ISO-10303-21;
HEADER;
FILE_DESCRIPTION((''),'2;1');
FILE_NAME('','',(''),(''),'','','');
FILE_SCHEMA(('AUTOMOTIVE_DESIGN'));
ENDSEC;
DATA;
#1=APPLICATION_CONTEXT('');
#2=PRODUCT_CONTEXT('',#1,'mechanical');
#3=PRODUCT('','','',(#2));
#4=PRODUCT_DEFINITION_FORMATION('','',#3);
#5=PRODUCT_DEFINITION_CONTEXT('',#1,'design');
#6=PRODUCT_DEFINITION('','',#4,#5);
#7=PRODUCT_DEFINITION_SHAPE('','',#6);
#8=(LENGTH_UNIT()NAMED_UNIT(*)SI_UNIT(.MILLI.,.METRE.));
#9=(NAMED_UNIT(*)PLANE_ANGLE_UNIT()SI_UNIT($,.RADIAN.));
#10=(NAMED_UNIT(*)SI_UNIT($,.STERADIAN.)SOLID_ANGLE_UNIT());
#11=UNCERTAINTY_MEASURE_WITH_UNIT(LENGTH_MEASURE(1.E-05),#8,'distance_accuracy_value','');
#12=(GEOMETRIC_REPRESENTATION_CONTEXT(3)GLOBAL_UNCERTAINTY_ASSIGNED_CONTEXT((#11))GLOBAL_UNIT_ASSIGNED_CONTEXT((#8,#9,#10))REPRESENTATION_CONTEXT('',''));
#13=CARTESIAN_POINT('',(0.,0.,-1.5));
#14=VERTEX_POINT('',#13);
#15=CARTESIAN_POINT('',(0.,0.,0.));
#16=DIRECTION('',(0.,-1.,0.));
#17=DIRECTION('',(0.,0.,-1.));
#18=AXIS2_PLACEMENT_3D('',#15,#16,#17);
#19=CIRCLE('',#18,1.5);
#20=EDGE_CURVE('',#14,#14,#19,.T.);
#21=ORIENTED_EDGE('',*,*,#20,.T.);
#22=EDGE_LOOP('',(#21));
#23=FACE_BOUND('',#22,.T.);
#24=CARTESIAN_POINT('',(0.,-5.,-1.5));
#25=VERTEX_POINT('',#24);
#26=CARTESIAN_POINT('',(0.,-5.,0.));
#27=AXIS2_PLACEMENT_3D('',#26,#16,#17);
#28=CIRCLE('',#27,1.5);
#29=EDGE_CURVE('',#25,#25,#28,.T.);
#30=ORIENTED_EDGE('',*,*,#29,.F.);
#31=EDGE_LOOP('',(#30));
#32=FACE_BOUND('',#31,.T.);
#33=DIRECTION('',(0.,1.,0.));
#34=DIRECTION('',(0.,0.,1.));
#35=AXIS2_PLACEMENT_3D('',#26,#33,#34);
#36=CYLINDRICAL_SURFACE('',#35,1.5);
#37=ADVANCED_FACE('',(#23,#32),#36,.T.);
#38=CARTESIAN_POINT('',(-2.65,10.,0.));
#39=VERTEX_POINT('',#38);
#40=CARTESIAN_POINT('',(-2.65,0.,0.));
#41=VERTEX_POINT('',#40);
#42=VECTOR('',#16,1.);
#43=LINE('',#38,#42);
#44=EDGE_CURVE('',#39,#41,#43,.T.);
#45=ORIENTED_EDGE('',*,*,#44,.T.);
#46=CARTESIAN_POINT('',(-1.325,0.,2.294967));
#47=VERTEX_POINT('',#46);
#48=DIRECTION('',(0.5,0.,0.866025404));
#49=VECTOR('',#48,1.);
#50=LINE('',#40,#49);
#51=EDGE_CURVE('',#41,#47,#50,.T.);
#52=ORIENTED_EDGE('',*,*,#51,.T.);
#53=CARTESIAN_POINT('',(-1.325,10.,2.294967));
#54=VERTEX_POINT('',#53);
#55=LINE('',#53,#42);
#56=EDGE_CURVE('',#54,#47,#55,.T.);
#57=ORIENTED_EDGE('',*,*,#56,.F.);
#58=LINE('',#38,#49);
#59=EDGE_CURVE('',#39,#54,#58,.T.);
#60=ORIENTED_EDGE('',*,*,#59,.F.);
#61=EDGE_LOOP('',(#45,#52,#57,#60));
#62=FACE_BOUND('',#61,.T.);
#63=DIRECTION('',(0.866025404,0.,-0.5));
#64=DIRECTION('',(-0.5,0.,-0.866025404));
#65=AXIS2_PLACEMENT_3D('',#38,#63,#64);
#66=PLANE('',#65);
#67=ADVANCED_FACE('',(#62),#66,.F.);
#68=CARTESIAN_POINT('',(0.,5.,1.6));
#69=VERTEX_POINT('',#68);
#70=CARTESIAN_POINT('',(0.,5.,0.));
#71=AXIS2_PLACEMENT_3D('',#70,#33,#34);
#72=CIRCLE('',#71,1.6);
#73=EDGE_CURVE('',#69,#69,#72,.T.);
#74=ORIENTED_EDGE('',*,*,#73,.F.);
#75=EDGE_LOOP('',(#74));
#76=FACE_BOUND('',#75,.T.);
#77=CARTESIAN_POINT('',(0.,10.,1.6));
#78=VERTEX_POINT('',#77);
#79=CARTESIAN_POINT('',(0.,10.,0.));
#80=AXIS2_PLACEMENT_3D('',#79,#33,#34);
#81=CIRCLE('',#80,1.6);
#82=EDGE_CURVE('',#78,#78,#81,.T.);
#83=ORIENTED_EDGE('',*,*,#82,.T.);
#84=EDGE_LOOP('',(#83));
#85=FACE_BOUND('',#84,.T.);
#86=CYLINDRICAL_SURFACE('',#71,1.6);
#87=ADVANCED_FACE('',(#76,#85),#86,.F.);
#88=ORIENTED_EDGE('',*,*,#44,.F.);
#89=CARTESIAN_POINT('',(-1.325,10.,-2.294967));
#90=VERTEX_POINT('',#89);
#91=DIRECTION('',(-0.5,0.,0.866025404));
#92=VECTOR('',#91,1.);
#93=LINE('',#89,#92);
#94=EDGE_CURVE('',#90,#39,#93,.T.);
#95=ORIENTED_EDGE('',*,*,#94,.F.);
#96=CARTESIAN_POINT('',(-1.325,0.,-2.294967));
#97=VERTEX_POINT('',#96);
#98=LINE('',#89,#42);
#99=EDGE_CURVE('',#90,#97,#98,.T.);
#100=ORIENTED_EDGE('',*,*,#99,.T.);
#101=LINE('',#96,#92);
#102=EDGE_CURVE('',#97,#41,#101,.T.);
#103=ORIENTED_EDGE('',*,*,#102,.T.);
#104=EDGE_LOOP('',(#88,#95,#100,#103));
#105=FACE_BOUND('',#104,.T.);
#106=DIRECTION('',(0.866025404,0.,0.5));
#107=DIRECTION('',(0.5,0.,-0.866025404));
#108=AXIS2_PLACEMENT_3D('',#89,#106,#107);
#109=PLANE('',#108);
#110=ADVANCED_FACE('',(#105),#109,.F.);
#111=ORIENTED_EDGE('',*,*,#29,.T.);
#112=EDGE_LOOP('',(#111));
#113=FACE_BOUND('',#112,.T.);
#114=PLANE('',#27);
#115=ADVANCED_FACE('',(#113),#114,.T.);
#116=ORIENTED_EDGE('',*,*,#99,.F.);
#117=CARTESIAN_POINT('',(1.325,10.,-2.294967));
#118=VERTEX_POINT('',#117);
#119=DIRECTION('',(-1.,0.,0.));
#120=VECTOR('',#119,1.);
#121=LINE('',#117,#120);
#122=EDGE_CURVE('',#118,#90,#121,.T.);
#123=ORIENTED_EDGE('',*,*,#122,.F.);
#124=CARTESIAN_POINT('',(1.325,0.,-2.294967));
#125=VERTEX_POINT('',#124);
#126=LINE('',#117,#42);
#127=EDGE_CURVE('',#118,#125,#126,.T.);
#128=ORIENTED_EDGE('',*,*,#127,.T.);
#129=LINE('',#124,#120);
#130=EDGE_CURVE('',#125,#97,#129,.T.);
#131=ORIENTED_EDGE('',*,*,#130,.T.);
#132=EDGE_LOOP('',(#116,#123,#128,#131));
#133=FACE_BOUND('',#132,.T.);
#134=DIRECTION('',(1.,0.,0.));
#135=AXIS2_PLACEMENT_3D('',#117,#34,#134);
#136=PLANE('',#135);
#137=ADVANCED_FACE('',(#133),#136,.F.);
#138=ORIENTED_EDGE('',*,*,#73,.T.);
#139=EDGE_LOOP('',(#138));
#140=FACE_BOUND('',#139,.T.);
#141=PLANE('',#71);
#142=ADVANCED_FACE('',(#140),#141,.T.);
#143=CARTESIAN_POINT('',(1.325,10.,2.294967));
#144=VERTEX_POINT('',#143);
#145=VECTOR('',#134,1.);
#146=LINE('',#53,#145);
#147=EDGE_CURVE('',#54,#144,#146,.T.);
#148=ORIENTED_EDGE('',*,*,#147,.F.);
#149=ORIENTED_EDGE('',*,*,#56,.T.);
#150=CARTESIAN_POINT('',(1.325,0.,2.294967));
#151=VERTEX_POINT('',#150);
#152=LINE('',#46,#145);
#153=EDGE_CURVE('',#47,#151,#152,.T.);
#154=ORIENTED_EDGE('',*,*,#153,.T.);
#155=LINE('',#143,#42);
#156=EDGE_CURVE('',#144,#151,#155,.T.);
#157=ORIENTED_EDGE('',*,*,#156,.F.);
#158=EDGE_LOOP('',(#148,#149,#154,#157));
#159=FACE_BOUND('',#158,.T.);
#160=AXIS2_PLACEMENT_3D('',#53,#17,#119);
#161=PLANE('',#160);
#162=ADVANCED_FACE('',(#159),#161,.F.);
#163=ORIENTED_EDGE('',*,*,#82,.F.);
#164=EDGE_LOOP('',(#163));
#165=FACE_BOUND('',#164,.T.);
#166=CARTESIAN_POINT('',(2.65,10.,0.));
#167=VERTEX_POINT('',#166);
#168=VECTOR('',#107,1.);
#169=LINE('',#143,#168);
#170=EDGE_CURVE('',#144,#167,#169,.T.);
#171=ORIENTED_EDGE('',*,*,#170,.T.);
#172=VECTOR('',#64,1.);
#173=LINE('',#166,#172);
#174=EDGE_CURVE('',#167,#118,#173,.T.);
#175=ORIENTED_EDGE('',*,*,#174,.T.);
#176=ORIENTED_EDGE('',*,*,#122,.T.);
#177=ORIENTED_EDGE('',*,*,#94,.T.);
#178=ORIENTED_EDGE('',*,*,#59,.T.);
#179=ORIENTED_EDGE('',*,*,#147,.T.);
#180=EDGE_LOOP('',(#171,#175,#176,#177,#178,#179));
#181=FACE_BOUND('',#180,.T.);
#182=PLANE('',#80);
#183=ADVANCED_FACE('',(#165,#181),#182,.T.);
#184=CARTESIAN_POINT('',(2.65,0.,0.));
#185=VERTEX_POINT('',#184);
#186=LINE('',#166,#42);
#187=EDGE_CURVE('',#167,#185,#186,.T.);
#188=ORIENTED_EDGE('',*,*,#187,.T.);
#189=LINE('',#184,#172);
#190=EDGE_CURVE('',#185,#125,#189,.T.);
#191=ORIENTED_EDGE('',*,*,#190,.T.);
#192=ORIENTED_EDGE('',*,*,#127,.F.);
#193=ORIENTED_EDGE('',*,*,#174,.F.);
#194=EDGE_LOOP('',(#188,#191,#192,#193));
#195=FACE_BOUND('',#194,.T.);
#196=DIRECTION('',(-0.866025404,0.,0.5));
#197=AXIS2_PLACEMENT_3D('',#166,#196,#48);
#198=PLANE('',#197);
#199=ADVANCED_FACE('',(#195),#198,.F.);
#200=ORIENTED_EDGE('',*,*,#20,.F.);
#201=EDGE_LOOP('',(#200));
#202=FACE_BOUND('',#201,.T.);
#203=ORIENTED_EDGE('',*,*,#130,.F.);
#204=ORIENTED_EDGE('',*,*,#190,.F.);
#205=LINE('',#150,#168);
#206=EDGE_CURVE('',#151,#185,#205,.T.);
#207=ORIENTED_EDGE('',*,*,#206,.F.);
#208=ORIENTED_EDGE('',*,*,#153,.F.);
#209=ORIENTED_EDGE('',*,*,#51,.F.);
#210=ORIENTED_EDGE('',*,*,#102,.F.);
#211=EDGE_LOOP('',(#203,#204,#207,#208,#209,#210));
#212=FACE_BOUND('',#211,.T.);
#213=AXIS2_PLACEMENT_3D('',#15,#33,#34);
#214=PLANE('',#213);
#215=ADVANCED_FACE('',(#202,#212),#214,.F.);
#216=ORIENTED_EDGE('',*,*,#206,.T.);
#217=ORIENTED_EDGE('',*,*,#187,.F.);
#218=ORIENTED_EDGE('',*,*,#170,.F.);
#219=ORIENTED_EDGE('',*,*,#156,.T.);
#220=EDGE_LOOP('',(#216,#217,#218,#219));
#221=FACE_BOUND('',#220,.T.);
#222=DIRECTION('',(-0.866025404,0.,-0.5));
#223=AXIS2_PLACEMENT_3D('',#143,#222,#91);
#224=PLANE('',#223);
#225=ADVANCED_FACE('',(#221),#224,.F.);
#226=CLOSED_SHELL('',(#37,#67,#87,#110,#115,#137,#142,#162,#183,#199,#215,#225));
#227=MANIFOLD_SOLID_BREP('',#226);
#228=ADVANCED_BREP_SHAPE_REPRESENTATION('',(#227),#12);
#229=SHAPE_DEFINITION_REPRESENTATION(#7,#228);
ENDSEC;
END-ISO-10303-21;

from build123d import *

# Parameters (mm, degrees)
BOSS_EXTRUDE1_DEPTH = 10
SKETCH2_R           = 1.6
CUT_EXTRUDE1_DEPTH  = 5
SKETCH3_R           = 1.5
BOSS_EXTRUDE2_DEPTH = 5


with BuildPart() as part:
    # Sketch1 → Boss-Extrude1 (new body)
    with BuildSketch(Plane(origin=(0, 0, 0), x_dir=(1, 0, 0), z_dir=(0, 1, 0))):
        Polygon((2.65, 0), (1.325, 2.29496732), (-1.325, 2.29496732), (-2.65, 0), (-1.325, -2.29496732), (1.325, -2.29496732), align=None)
    extrude(amount=BOSS_EXTRUDE1_DEPTH)

    # Sketch2 → Cut-Extrude1 (cut)
    with BuildSketch(Plane(origin=(0, 10, 0), x_dir=(1, 0, 0), z_dir=(0, 1, 0))):
        with Locations(Location((0, 0, 0), (0, 0, 270))):
            Circle(SKETCH2_R)
    extrude(amount=-CUT_EXTRUDE1_DEPTH, mode=Mode.SUBTRACT)

    # Sketch3 → Boss-Extrude2 (add)
    with BuildSketch(Plane.XZ):
        with Locations(Location((0, 0, 0), (0, 0, 270))):
            Circle(SKETCH3_R)
    extrude(amount=BOSS_EXTRUDE2_DEPTH)


solid = part.part
